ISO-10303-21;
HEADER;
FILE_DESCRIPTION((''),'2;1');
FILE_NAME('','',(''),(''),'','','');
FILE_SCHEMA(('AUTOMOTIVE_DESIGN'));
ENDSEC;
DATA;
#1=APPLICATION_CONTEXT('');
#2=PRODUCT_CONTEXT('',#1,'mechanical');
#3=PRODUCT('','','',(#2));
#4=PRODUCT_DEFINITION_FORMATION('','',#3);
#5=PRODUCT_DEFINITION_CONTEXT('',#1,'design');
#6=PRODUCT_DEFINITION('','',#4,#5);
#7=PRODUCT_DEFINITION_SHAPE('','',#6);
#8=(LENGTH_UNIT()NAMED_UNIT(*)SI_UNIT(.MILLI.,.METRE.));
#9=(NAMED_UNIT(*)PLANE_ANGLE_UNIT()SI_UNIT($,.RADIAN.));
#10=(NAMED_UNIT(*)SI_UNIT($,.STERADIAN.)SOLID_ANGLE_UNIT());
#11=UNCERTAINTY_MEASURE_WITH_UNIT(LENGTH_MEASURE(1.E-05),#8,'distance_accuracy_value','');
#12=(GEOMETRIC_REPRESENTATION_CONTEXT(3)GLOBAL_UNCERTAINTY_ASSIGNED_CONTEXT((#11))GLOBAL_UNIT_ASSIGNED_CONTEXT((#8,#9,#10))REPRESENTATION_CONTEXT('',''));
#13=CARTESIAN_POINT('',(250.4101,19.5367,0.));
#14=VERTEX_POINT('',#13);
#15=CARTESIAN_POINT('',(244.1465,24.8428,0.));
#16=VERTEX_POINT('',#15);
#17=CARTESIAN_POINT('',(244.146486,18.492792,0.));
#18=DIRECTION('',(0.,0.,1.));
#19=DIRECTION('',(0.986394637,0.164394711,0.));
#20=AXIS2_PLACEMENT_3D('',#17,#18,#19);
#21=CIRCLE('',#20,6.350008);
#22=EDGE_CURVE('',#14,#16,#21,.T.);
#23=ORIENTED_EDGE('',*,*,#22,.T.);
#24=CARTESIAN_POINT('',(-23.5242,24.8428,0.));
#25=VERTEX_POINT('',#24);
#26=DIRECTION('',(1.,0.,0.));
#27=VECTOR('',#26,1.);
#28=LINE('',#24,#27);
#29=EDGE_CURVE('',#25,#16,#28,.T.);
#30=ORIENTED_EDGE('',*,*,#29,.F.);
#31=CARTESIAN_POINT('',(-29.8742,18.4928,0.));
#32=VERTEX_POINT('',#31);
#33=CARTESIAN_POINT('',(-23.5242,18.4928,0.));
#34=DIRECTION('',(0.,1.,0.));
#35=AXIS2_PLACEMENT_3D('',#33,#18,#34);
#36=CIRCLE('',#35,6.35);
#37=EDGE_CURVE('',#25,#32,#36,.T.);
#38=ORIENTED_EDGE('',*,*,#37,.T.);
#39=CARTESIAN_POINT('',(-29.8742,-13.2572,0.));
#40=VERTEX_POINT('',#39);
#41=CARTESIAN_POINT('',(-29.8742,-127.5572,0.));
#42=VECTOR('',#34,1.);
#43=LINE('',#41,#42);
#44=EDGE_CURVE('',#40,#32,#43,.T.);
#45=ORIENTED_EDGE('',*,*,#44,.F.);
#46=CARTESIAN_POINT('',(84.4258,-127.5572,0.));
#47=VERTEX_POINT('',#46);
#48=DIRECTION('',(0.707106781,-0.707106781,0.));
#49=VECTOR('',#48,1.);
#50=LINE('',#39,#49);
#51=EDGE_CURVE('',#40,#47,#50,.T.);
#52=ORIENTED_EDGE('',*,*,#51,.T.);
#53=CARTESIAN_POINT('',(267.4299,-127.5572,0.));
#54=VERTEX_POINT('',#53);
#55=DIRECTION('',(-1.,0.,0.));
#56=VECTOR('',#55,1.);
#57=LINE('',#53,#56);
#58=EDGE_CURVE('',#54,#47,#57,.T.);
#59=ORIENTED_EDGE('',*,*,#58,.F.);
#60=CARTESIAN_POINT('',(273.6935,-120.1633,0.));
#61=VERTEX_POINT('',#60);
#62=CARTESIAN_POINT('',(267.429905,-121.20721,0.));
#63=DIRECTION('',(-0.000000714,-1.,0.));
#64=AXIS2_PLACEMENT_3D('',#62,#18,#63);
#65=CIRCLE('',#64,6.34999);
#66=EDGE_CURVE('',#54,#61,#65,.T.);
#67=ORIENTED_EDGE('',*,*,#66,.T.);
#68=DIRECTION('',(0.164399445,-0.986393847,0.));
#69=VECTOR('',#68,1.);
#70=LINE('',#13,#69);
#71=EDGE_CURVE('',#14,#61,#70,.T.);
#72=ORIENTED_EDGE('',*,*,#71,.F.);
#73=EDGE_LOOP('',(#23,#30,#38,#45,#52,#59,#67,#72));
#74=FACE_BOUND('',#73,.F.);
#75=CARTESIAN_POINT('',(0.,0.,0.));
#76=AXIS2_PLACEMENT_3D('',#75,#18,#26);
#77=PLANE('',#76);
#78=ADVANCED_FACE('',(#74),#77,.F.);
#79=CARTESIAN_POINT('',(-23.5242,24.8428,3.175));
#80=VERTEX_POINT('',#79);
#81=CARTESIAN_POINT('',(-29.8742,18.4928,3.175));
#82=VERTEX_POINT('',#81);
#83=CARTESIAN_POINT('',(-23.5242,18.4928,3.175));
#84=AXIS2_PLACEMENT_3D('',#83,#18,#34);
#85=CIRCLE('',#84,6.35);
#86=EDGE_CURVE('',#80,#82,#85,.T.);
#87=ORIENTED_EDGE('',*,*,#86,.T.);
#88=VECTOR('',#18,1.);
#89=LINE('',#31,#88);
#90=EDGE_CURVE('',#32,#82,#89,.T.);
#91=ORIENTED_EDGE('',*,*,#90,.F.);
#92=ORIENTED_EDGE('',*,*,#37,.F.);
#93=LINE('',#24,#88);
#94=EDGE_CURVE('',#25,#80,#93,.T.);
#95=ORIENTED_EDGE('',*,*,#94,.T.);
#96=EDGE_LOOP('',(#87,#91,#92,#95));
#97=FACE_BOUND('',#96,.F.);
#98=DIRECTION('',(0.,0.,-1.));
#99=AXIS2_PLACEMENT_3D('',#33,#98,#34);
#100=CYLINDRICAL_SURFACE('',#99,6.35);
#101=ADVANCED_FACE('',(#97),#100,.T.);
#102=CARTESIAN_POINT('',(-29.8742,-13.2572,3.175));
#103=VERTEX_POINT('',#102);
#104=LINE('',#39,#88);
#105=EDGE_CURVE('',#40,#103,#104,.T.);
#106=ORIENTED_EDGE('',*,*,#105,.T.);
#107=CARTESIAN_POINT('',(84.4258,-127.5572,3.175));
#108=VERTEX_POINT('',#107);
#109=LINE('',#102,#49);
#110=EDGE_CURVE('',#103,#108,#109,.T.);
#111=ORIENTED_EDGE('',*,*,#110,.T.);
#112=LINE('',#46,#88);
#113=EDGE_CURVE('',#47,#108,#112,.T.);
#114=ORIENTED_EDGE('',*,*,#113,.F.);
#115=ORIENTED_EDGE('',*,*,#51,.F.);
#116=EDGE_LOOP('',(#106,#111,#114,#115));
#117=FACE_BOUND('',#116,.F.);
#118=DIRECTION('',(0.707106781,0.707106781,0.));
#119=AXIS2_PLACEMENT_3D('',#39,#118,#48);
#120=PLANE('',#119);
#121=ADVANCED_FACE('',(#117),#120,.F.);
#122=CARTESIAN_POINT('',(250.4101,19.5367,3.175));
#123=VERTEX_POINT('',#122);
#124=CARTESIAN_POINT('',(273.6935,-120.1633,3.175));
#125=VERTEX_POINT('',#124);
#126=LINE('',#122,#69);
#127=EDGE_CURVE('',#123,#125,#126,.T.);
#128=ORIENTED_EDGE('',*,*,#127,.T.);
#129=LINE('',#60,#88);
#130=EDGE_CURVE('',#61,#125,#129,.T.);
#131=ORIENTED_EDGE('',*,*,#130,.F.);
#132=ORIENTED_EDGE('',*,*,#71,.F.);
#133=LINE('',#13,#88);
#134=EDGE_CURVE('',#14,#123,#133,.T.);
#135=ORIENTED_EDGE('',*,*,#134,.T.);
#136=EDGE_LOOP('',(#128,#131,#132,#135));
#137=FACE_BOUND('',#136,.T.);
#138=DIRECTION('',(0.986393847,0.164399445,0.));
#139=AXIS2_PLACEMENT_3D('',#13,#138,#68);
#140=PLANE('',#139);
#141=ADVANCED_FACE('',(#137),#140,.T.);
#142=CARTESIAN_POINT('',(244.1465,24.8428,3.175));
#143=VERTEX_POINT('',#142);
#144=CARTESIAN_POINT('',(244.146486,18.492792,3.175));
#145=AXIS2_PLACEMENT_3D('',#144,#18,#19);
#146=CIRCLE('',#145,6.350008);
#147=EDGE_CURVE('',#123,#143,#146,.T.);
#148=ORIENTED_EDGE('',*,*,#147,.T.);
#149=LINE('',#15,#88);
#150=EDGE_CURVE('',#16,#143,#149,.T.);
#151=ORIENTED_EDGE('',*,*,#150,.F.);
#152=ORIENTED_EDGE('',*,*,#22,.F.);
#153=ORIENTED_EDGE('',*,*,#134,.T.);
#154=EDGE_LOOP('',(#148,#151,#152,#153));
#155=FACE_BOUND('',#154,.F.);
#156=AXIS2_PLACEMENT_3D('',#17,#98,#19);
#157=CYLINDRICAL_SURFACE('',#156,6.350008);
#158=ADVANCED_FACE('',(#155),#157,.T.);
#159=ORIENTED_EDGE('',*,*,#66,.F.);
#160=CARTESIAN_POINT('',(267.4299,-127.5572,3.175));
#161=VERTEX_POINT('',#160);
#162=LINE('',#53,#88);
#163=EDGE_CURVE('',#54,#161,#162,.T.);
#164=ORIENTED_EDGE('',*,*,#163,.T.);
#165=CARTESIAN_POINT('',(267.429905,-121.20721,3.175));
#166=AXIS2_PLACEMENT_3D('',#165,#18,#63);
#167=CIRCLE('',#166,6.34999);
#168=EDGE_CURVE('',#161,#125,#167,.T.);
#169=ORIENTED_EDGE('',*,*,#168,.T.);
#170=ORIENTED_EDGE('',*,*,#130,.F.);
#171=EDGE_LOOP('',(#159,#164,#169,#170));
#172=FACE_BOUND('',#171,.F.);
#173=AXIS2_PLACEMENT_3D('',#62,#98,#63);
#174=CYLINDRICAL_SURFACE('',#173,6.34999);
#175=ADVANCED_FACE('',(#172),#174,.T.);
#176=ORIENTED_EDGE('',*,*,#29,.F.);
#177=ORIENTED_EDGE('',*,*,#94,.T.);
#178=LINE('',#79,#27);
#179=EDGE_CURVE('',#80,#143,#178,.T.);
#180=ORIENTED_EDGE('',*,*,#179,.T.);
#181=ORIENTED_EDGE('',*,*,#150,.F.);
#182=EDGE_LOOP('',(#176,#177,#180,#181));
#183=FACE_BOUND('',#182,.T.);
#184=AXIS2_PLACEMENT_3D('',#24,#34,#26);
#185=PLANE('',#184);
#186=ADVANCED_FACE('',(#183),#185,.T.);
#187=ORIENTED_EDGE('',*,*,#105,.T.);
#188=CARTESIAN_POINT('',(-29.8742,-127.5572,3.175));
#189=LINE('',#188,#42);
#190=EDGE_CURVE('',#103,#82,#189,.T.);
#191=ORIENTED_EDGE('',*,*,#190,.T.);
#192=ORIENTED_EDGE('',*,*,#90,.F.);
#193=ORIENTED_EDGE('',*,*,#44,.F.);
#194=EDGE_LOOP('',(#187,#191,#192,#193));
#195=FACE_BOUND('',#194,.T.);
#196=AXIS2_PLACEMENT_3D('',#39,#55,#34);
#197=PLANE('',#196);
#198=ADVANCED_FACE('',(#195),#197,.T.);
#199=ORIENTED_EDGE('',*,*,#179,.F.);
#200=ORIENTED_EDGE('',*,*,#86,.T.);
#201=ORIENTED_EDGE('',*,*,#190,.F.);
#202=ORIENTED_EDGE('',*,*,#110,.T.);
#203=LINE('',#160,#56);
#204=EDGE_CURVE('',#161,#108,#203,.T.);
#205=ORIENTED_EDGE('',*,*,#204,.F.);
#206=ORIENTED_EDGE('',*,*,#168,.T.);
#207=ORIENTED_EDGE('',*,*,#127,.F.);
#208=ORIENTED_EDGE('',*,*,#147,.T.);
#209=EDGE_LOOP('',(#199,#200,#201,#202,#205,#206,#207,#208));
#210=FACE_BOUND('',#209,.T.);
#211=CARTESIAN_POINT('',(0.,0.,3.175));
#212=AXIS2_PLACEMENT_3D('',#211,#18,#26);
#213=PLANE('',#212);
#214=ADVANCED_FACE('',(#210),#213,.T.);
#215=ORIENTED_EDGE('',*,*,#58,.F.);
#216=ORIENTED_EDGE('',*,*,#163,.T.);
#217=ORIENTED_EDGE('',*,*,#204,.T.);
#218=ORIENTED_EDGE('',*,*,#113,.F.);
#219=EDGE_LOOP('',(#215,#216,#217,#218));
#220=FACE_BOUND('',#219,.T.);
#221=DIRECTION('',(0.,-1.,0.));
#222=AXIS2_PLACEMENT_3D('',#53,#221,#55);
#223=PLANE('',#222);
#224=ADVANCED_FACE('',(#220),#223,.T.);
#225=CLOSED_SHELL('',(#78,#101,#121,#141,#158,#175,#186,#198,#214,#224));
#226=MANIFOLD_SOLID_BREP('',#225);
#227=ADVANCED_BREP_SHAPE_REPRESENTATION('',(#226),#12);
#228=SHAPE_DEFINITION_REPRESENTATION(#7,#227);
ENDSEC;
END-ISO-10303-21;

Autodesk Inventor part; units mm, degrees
ref_plane "YZ Plane" through (0, 0, 0) normal (1, 0, 0) x (0, 1, 0)
ref_plane "XZ Plane" through (0, 0, 0) normal (0, 1, 0) x (-1, 0, 0)
ref_plane "XY Plane" through (0, 0, 0) normal (0, 0, 1) x (1, 0, 0)
sketch "Sketch1" plane through (0, 0, 0) normal (0, 0, 1) x (1, 0, 0)
  line L0 (-23.5242, 24.8428) -> (244.1465, 24.8428)
  line L1 (274.9258, 24.8428) -> (274.9258, -127.5572)
  line L2 (267.4299, -127.5572) -> (-29.8742, -127.5572)
  line L3 (-29.8742, -127.5572) -> (-29.8742, 18.4928)
  line L4 (250.4101, 19.5367) -> (273.6935, -120.1633)
  line L5 (-29.8742, -13.2572) -> (84.4258, -127.5572)
  arc A0 (-23.5242, 24.8428) -> (-29.8742, 18.4928) centre (-23.5242, 18.4928) ccw
  arc A1 (267.4299, -127.5572) -> (273.6935, -120.1633) centre (267.4299, -121.2072) ccw
  arc A2 (250.4101, 19.5367) -> (244.1465, 24.8428) centre (244.1465, 18.4928) ccw
  point P0 (-29.8742, 24.8428)
  point P1 (249.5258, 24.8428)
  dimension "d0" = 304.8
  dimension "d1" = 152.4
  dimension "d2" = 25.4
  dimension "d3" = 38.1
  dimension "d4" = 190.5
  dimension "d5" = 6.35
  dimension "d6" = 6.35
extrude "Extrusion1" add sketch "Sketch1" along normal blind 3.175 contours L0 A2 L4 A1 L2 L5 L3 A0
properties part number "FE-00004-09"
